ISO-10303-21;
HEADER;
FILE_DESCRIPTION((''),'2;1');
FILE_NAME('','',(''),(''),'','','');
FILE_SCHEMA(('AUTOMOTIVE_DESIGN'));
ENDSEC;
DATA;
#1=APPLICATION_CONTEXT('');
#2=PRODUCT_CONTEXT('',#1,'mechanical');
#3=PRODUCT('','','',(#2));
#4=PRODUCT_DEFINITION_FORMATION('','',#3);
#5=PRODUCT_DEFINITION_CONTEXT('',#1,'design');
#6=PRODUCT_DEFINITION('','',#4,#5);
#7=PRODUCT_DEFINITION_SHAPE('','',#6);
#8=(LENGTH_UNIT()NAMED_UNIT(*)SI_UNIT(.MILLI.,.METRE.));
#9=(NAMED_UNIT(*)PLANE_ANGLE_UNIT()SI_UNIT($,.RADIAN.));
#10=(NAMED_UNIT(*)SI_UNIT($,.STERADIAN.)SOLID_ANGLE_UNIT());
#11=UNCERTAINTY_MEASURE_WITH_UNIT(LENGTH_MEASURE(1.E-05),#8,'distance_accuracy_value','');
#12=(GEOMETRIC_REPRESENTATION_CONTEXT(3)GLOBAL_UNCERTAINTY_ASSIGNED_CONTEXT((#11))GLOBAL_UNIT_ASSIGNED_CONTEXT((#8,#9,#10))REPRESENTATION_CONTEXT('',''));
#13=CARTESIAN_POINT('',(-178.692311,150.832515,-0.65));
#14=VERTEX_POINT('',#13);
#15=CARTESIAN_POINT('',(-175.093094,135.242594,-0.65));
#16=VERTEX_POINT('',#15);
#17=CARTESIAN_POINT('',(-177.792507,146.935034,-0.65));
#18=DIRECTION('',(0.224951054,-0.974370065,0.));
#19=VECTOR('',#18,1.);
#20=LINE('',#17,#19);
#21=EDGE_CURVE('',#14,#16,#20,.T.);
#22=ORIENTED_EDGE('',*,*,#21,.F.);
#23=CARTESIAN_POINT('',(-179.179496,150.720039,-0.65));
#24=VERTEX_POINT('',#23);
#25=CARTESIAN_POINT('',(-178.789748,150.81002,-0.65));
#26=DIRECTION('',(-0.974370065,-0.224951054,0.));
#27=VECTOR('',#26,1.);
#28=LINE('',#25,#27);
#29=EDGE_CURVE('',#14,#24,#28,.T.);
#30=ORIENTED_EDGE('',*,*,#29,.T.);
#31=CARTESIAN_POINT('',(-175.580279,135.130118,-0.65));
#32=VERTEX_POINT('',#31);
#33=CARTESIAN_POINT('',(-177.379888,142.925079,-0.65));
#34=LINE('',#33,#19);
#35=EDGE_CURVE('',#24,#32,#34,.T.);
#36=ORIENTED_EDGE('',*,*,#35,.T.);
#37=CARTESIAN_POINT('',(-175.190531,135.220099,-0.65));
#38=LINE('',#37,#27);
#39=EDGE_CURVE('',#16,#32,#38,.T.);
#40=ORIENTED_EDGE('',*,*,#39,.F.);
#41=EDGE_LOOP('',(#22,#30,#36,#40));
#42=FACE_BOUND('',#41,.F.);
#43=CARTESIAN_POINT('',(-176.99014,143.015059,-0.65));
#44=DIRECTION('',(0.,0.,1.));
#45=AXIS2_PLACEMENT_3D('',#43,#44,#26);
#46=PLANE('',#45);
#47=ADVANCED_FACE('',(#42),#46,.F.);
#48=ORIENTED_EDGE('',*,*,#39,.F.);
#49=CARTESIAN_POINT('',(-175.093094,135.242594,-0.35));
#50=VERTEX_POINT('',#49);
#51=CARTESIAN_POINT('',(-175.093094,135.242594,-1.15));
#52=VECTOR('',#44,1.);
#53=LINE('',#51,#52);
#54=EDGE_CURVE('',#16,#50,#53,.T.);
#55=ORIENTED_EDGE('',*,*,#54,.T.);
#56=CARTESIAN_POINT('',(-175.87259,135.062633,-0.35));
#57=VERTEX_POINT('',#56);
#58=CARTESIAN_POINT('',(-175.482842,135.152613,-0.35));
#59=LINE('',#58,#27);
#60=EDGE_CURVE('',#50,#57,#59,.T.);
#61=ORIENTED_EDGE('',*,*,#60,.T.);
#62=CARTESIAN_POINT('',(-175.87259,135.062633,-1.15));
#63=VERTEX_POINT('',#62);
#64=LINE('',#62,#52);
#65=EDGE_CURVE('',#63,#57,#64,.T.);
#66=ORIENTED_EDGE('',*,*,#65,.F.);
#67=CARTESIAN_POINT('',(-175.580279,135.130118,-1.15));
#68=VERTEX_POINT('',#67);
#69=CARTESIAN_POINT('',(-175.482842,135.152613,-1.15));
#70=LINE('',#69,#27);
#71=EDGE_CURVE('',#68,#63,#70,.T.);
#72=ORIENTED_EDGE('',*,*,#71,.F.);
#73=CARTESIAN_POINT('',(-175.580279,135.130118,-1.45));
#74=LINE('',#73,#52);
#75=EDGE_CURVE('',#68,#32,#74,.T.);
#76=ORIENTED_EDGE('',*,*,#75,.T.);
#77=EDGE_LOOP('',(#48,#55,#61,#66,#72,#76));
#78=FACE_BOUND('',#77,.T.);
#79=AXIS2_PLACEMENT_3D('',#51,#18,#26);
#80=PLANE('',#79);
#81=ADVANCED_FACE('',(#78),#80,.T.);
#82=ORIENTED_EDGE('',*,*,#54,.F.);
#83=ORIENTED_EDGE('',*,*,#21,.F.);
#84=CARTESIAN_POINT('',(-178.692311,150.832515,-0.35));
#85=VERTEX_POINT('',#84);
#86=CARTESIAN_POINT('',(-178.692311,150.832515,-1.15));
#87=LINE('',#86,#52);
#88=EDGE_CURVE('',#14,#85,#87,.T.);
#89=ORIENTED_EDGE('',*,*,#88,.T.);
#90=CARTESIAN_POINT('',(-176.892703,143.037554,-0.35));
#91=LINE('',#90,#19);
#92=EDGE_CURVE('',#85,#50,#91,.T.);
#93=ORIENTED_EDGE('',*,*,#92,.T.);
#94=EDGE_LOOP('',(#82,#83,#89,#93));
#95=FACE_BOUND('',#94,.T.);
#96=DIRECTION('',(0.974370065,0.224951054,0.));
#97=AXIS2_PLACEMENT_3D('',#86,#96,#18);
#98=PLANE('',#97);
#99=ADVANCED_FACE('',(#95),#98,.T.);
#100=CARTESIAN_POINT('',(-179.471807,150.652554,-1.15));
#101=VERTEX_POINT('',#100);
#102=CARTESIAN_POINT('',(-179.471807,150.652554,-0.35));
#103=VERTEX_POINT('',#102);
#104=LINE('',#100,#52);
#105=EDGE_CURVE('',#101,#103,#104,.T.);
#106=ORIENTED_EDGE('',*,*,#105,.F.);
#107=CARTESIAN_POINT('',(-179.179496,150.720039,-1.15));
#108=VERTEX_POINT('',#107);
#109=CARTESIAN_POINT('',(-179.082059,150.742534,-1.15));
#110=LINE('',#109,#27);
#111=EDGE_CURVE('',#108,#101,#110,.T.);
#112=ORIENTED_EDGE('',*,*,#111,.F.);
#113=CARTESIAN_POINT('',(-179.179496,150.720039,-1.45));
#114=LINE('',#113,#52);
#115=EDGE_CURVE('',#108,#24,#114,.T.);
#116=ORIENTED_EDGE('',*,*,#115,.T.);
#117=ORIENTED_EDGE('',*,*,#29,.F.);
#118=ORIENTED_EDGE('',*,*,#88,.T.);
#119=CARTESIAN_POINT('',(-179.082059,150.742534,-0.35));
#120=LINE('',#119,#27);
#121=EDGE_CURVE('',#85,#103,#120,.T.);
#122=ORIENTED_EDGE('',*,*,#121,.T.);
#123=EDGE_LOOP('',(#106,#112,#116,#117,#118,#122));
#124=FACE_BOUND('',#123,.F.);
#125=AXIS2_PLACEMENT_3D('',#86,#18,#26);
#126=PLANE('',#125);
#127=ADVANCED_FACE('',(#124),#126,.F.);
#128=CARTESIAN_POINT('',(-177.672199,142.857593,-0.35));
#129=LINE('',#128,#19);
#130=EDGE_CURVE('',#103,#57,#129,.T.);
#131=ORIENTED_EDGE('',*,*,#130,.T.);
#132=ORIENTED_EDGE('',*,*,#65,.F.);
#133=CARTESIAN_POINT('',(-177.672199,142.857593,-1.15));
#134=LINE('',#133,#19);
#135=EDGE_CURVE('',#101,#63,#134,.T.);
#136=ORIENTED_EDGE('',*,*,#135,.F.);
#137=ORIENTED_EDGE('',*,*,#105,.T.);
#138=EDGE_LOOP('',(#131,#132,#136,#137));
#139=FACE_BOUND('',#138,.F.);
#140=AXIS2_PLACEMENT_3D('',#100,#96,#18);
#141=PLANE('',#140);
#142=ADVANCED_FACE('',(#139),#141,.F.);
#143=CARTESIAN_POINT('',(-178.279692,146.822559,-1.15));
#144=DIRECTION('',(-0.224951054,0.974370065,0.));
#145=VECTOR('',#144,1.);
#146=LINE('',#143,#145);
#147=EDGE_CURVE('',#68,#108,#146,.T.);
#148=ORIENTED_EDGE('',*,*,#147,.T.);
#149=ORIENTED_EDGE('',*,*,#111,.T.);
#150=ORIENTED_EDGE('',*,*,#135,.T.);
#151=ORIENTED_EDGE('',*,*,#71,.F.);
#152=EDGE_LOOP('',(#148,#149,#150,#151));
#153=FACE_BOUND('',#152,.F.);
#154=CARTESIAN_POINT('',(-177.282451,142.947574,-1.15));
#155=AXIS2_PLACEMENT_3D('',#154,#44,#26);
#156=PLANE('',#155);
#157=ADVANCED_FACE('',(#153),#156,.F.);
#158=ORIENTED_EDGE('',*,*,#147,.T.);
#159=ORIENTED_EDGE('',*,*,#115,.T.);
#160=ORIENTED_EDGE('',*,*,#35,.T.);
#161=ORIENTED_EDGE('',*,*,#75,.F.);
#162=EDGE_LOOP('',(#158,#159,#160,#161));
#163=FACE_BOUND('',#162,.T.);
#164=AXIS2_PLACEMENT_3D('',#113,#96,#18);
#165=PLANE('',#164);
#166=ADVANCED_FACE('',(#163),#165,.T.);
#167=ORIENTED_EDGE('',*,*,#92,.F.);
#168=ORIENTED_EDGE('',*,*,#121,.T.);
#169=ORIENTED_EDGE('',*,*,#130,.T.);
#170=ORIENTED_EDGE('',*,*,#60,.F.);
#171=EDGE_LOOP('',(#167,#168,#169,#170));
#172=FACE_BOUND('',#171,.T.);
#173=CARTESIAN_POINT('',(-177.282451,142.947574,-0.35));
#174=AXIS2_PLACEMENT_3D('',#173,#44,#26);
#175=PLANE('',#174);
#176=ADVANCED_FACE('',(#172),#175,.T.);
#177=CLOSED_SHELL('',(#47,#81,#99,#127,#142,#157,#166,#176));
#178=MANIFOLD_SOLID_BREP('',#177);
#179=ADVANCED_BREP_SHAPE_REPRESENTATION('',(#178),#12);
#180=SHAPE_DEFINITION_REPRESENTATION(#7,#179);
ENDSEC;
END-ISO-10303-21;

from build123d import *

# Parameters (mm, degrees)
BOX175_W               = 0.8
BOX175_H               = 16
BOX175_DEPTH           = 0.8
BOX176_W               = 0.8
BOX176_H               = 16
BOX176_DEPTH           = 0.8
CUT091_PLACEMENT_ANGLE = 193


with BuildPart() as cubo175:
    # Box175 → Box175 (new body)
    with BuildSketch(Plane.XY):
        with Locations((0.4, 8)):
            Rectangle(BOX175_W, BOX175_H)
    extrude(amount=BOX175_DEPTH)


with BuildPart() as perfil_l_2da_cara033:
    # Box176 → Box176 (new body)
    with BuildSketch(Plane(origin=(0.3, 0, 0.3), x_dir=(1, 0, 0), z_dir=(0, 0, 1))):
        with Locations((0.4, 8)):
            Rectangle(BOX176_W, BOX176_H)
    extrude(amount=BOX176_DEPTH)

    # Cut091: cut Cubo175
    add(cubo175.part, mode=Mode.SUBTRACT)


with BuildPart() as perfil_l_2da_cara033_1:
    # Cut091 placement: moved
    add(perfil_l_2da_cara033.part.moved(Location((-178.4, 150.9, -1.45))).rotate(Axis((-178.4, 150.9, -1.45), (0, 0, 1)), CUT091_PLACEMENT_ANGLE))


solid = perfil_l_2da_cara033_1.part
